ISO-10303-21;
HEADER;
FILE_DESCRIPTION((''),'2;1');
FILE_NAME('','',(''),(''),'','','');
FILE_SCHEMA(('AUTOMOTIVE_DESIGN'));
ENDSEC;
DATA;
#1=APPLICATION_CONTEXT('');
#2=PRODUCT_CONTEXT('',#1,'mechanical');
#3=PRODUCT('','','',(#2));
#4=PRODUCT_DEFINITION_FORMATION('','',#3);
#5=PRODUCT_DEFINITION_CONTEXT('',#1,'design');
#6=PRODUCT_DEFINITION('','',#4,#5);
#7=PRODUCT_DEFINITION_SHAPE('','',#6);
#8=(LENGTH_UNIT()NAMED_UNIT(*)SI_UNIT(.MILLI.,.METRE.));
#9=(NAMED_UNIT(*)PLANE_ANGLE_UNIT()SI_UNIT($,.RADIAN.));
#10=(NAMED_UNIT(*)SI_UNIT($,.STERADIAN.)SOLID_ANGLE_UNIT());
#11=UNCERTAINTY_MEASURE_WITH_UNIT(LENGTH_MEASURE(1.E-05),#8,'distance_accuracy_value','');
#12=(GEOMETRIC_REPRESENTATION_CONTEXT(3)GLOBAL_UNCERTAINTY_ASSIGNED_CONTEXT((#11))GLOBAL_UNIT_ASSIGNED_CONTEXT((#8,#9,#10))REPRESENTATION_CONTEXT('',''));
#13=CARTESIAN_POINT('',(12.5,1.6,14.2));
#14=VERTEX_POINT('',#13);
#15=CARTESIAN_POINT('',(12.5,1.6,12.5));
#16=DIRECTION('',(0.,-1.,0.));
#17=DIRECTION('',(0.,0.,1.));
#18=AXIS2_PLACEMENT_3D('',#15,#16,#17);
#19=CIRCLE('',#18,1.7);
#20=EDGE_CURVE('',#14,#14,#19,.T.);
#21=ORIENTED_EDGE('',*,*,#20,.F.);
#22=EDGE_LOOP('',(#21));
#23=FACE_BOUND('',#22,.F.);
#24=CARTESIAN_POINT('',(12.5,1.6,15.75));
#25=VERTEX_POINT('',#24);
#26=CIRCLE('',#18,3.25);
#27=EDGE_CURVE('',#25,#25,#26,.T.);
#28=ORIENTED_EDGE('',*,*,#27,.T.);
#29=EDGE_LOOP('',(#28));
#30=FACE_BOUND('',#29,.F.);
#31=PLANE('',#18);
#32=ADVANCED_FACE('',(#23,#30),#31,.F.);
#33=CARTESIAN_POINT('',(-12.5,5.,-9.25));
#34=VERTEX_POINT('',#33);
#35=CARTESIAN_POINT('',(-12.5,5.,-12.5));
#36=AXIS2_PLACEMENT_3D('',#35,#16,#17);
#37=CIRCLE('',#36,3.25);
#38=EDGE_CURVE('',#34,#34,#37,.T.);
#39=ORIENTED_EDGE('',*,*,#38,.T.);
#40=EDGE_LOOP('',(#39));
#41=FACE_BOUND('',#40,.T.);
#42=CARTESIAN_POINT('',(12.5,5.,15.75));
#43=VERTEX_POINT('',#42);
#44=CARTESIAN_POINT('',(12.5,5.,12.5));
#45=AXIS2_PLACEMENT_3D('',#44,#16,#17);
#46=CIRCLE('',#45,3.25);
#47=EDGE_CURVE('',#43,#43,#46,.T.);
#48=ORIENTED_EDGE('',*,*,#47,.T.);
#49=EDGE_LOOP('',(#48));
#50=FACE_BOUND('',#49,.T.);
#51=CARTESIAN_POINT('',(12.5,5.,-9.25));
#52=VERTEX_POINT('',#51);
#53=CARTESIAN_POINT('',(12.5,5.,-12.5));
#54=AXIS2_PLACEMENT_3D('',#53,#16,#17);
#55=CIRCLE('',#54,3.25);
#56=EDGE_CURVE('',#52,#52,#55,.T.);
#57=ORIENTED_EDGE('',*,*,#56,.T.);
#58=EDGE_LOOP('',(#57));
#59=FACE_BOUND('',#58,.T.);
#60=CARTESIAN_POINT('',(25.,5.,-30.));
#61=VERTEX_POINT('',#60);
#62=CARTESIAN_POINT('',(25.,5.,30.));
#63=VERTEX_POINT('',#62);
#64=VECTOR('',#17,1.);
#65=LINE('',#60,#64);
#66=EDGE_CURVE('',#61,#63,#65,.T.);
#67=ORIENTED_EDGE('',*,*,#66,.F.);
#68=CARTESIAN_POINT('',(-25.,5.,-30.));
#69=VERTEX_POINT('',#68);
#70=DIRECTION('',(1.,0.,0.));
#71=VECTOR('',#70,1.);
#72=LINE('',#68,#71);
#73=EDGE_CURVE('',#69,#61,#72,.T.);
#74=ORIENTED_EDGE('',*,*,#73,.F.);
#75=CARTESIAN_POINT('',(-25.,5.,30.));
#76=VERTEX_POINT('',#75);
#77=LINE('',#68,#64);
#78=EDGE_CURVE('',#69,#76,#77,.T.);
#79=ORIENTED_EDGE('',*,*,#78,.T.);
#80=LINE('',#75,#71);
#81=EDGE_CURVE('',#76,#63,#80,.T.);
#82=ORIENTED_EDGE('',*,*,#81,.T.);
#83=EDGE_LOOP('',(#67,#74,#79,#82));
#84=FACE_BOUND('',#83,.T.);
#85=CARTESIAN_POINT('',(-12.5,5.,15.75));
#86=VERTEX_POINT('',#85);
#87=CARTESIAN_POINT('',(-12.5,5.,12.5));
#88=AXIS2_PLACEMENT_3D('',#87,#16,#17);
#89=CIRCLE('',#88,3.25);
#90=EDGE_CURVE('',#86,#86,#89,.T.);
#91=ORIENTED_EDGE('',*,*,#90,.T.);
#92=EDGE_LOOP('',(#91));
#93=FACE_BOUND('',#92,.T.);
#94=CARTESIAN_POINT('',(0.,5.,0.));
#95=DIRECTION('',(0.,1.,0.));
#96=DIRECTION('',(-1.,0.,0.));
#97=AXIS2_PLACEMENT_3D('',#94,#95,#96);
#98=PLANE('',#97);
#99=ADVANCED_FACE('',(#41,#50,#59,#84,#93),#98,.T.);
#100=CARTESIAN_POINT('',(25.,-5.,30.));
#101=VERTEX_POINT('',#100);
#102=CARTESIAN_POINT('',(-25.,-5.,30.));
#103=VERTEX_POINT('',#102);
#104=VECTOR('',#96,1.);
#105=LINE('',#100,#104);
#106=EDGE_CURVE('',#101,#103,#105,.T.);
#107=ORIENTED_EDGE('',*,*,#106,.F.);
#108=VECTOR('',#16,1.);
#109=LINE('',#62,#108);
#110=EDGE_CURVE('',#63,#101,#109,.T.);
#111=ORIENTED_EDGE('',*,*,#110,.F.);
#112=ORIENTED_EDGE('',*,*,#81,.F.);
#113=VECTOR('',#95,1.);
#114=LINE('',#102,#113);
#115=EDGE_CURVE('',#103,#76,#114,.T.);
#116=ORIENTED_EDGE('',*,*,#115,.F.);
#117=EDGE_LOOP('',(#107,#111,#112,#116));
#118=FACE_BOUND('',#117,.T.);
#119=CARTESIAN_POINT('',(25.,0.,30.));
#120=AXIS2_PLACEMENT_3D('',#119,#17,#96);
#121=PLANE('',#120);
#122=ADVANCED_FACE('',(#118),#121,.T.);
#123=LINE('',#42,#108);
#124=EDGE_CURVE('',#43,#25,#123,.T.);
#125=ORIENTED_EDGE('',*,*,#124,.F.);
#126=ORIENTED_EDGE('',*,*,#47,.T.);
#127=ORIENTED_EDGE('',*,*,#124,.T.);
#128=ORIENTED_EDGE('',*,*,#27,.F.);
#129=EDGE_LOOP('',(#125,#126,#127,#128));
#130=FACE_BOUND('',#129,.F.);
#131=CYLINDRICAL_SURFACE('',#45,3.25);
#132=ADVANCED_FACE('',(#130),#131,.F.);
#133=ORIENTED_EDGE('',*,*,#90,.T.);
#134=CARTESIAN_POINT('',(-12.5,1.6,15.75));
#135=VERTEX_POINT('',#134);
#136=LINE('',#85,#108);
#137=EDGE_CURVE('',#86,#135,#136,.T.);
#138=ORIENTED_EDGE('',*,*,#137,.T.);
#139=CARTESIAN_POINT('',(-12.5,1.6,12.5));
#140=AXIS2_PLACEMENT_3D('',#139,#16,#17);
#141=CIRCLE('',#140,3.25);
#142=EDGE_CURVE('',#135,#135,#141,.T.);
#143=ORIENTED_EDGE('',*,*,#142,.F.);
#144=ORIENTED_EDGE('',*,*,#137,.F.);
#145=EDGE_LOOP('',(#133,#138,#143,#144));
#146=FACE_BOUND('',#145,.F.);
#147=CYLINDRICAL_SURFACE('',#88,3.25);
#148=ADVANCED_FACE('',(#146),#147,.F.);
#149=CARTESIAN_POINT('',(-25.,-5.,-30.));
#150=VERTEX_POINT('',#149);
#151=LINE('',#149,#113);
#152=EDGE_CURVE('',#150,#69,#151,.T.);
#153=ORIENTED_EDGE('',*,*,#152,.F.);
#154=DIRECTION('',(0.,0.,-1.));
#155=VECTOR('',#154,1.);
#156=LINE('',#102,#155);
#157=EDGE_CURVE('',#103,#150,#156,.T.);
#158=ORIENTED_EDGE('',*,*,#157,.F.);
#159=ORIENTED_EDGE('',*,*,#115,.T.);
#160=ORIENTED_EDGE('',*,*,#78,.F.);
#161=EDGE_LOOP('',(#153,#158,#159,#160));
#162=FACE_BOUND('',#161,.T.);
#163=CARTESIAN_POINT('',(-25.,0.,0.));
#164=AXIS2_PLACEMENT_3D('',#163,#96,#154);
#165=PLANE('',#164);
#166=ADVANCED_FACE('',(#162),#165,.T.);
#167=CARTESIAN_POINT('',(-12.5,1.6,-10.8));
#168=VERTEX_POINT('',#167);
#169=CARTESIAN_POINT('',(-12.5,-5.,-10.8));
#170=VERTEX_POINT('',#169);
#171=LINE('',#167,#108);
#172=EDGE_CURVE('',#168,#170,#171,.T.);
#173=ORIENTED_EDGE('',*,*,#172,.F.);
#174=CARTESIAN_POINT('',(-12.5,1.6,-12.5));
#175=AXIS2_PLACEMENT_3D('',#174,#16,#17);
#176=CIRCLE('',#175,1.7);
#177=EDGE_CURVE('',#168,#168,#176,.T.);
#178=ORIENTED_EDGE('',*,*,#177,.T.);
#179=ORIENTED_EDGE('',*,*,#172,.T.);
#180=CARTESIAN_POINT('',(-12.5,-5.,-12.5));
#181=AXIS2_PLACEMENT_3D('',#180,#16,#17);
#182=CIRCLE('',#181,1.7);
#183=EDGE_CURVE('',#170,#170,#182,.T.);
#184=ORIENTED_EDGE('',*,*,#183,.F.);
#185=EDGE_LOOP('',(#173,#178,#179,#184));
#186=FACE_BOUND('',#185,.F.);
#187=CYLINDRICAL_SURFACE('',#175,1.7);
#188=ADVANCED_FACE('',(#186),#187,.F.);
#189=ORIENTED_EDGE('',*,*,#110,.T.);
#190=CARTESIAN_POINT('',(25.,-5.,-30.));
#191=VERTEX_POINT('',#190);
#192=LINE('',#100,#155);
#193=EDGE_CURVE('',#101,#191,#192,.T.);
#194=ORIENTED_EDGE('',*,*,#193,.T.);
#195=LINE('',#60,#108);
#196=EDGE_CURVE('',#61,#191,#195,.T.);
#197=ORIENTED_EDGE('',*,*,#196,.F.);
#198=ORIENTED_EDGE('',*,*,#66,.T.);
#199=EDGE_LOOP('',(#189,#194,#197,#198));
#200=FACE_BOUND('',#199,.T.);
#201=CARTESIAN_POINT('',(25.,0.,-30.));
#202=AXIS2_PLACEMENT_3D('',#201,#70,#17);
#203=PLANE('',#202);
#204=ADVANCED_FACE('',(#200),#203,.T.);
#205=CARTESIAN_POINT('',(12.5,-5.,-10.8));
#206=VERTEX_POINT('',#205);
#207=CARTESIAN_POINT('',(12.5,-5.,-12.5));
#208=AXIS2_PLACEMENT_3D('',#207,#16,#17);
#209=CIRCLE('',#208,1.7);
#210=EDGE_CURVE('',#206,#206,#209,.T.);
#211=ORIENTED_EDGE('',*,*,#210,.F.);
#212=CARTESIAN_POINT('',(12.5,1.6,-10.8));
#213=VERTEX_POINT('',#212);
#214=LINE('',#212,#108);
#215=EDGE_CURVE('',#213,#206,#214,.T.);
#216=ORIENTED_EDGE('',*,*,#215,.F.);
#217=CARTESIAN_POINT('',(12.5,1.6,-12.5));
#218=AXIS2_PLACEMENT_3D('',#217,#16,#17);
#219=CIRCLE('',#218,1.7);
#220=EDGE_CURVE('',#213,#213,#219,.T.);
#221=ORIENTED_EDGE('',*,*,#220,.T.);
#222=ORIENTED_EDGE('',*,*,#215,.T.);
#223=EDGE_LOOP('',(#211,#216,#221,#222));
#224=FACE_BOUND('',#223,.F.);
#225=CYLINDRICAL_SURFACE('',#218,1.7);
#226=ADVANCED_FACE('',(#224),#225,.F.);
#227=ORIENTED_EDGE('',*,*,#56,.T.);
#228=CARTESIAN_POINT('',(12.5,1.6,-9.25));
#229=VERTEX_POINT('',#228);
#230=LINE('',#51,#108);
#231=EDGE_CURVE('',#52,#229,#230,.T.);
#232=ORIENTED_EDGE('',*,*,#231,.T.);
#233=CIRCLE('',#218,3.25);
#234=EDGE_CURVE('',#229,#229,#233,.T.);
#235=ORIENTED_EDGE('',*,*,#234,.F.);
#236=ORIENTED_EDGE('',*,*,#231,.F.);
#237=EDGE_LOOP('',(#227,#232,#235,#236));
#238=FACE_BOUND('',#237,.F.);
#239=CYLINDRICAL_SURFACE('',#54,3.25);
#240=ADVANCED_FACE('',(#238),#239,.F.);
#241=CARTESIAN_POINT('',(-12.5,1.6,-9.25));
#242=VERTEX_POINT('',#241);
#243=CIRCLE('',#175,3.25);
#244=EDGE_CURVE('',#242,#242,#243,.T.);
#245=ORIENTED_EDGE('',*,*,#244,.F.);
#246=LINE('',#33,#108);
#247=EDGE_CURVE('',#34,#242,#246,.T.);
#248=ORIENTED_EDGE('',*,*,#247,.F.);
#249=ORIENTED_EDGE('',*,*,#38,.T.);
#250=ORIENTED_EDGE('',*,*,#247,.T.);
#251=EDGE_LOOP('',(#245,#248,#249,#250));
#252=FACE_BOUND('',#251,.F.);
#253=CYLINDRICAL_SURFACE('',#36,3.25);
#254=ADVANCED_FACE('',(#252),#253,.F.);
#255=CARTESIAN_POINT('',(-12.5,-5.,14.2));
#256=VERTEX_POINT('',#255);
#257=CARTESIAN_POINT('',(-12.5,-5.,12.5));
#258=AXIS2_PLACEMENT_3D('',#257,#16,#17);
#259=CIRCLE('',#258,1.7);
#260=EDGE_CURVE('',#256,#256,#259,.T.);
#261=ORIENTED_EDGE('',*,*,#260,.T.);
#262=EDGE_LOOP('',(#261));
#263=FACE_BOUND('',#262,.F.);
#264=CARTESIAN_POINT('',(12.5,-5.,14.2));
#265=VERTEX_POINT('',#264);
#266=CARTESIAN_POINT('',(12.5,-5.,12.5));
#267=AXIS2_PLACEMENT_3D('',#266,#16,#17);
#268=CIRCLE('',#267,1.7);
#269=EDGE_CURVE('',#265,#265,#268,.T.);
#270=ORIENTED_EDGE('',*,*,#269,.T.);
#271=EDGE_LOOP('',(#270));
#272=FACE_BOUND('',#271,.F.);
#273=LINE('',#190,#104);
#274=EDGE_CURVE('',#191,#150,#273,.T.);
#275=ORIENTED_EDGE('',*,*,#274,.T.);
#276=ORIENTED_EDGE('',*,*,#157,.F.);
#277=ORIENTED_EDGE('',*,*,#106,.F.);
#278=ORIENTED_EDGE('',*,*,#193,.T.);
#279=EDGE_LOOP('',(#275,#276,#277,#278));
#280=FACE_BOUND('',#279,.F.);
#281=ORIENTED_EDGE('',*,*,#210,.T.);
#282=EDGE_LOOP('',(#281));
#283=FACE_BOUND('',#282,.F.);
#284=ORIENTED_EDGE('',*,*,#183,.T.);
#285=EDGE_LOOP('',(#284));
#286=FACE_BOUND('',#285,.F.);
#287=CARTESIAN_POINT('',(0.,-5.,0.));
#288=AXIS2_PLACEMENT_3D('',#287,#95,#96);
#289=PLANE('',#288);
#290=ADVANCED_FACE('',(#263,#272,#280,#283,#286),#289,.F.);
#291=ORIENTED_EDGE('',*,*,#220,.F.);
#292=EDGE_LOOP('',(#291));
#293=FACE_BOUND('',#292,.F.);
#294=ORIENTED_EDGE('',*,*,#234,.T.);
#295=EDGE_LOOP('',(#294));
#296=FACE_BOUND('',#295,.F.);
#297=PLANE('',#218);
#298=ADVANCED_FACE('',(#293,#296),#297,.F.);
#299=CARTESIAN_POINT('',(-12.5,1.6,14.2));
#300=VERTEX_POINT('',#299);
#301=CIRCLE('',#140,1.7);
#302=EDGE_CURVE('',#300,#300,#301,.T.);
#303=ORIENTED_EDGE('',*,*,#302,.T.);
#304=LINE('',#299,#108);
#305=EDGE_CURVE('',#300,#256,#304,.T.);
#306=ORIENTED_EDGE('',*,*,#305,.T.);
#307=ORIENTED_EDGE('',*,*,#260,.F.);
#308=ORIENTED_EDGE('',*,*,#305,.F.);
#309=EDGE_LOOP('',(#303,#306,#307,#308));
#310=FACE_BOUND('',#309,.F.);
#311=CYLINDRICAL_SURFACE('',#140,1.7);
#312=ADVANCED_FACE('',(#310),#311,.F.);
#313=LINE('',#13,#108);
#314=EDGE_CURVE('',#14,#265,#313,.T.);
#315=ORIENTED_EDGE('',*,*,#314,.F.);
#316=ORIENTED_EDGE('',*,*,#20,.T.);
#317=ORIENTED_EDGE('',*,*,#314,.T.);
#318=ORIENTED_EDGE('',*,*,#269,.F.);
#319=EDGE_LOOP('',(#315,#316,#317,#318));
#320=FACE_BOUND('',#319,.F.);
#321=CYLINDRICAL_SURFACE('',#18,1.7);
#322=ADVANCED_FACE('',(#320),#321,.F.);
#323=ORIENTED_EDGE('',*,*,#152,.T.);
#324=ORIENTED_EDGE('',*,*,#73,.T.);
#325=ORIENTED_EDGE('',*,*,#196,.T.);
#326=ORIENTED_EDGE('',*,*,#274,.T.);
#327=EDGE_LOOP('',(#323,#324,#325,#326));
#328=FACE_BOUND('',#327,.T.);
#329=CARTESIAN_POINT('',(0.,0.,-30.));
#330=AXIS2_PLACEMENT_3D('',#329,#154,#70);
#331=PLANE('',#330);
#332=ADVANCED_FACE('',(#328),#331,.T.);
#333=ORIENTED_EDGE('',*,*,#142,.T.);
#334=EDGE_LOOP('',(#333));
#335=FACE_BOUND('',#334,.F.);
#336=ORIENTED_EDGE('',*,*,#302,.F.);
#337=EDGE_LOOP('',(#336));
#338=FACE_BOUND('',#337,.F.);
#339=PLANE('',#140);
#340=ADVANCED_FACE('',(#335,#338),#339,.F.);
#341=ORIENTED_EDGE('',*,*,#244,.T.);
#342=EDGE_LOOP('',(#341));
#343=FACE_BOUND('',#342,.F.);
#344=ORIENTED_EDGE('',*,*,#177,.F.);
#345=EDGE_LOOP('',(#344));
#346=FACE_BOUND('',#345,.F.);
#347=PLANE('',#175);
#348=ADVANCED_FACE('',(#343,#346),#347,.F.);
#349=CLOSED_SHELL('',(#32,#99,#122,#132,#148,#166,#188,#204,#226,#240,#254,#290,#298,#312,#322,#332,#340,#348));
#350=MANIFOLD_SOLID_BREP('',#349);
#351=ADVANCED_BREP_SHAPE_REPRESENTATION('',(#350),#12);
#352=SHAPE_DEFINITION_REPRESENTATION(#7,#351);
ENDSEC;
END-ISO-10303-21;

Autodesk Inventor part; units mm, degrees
ref_plane "YZ Plane" through (0, 0, 0) normal (1, 0, 0) x (0, 1, 0)
ref_plane "XZ Plane" through (0, 0, 0) normal (0, 1, 0) x (-1, 0, 0)
ref_plane "XY Plane" through (0, 0, 0) normal (0, 0, 1) x (1, 0, 0)
sketch "Skizze1" plane through (0, 0, 0) normal (0, 1, 0) x (-1, 0, 0)
  line L0 (0, -42) -> (0, 42) projected
  line L1 (-35, 0) -> (35, 0) projected
  line L2 (-25, 30) -> (25, 30)
  line L3 (25, 30) -> (25, -30)
  line L4 (25, -30) -> (-25, -30)
  line L5 (-25, -30) -> (-25, 30)
  line L6 (-25, 30) -> (25, -30) construction
  line L7 (25, 30) -> (-25, -30) construction
  point P0 (0, 0)
  dimension "d0" = 50
  dimension "d1" = 60
extrude "Extrusion1" add sketch "Skizze1" along normal mid plane 10
sketch "Skizze2" plane through (0, 5, 0) normal (0, 1, 0) x (1, 0, 0)
  line L0 (0, 42) -> (0, -42) projected
  line L1 (35, 0) -> (-35, 0) projected
  point P0 (0, 0)
  point P1 (-12.5, -12.5)
  point P2 (-12.5, 12.5)
  point P3 (12.5, 12.5)
  point P4 (12.5, -12.5)
  dimension "d4" = 25
  dimension "d5" = 25
hole "Bohrung1" at (-12.5, 5, 12.5) at (-12.5, 5, -12.5) at (12.5, 5, -12.5) at (12.5, 5, 12.5) direction (0, -1, 0) diameter 3.4 end through all counterbore diameter 6.5 counterbore depth 3.4 clearance for "Inbusschraube ISO 4762" size "M3" standard "ISO"
properties part number "26_Laser_carriage"
